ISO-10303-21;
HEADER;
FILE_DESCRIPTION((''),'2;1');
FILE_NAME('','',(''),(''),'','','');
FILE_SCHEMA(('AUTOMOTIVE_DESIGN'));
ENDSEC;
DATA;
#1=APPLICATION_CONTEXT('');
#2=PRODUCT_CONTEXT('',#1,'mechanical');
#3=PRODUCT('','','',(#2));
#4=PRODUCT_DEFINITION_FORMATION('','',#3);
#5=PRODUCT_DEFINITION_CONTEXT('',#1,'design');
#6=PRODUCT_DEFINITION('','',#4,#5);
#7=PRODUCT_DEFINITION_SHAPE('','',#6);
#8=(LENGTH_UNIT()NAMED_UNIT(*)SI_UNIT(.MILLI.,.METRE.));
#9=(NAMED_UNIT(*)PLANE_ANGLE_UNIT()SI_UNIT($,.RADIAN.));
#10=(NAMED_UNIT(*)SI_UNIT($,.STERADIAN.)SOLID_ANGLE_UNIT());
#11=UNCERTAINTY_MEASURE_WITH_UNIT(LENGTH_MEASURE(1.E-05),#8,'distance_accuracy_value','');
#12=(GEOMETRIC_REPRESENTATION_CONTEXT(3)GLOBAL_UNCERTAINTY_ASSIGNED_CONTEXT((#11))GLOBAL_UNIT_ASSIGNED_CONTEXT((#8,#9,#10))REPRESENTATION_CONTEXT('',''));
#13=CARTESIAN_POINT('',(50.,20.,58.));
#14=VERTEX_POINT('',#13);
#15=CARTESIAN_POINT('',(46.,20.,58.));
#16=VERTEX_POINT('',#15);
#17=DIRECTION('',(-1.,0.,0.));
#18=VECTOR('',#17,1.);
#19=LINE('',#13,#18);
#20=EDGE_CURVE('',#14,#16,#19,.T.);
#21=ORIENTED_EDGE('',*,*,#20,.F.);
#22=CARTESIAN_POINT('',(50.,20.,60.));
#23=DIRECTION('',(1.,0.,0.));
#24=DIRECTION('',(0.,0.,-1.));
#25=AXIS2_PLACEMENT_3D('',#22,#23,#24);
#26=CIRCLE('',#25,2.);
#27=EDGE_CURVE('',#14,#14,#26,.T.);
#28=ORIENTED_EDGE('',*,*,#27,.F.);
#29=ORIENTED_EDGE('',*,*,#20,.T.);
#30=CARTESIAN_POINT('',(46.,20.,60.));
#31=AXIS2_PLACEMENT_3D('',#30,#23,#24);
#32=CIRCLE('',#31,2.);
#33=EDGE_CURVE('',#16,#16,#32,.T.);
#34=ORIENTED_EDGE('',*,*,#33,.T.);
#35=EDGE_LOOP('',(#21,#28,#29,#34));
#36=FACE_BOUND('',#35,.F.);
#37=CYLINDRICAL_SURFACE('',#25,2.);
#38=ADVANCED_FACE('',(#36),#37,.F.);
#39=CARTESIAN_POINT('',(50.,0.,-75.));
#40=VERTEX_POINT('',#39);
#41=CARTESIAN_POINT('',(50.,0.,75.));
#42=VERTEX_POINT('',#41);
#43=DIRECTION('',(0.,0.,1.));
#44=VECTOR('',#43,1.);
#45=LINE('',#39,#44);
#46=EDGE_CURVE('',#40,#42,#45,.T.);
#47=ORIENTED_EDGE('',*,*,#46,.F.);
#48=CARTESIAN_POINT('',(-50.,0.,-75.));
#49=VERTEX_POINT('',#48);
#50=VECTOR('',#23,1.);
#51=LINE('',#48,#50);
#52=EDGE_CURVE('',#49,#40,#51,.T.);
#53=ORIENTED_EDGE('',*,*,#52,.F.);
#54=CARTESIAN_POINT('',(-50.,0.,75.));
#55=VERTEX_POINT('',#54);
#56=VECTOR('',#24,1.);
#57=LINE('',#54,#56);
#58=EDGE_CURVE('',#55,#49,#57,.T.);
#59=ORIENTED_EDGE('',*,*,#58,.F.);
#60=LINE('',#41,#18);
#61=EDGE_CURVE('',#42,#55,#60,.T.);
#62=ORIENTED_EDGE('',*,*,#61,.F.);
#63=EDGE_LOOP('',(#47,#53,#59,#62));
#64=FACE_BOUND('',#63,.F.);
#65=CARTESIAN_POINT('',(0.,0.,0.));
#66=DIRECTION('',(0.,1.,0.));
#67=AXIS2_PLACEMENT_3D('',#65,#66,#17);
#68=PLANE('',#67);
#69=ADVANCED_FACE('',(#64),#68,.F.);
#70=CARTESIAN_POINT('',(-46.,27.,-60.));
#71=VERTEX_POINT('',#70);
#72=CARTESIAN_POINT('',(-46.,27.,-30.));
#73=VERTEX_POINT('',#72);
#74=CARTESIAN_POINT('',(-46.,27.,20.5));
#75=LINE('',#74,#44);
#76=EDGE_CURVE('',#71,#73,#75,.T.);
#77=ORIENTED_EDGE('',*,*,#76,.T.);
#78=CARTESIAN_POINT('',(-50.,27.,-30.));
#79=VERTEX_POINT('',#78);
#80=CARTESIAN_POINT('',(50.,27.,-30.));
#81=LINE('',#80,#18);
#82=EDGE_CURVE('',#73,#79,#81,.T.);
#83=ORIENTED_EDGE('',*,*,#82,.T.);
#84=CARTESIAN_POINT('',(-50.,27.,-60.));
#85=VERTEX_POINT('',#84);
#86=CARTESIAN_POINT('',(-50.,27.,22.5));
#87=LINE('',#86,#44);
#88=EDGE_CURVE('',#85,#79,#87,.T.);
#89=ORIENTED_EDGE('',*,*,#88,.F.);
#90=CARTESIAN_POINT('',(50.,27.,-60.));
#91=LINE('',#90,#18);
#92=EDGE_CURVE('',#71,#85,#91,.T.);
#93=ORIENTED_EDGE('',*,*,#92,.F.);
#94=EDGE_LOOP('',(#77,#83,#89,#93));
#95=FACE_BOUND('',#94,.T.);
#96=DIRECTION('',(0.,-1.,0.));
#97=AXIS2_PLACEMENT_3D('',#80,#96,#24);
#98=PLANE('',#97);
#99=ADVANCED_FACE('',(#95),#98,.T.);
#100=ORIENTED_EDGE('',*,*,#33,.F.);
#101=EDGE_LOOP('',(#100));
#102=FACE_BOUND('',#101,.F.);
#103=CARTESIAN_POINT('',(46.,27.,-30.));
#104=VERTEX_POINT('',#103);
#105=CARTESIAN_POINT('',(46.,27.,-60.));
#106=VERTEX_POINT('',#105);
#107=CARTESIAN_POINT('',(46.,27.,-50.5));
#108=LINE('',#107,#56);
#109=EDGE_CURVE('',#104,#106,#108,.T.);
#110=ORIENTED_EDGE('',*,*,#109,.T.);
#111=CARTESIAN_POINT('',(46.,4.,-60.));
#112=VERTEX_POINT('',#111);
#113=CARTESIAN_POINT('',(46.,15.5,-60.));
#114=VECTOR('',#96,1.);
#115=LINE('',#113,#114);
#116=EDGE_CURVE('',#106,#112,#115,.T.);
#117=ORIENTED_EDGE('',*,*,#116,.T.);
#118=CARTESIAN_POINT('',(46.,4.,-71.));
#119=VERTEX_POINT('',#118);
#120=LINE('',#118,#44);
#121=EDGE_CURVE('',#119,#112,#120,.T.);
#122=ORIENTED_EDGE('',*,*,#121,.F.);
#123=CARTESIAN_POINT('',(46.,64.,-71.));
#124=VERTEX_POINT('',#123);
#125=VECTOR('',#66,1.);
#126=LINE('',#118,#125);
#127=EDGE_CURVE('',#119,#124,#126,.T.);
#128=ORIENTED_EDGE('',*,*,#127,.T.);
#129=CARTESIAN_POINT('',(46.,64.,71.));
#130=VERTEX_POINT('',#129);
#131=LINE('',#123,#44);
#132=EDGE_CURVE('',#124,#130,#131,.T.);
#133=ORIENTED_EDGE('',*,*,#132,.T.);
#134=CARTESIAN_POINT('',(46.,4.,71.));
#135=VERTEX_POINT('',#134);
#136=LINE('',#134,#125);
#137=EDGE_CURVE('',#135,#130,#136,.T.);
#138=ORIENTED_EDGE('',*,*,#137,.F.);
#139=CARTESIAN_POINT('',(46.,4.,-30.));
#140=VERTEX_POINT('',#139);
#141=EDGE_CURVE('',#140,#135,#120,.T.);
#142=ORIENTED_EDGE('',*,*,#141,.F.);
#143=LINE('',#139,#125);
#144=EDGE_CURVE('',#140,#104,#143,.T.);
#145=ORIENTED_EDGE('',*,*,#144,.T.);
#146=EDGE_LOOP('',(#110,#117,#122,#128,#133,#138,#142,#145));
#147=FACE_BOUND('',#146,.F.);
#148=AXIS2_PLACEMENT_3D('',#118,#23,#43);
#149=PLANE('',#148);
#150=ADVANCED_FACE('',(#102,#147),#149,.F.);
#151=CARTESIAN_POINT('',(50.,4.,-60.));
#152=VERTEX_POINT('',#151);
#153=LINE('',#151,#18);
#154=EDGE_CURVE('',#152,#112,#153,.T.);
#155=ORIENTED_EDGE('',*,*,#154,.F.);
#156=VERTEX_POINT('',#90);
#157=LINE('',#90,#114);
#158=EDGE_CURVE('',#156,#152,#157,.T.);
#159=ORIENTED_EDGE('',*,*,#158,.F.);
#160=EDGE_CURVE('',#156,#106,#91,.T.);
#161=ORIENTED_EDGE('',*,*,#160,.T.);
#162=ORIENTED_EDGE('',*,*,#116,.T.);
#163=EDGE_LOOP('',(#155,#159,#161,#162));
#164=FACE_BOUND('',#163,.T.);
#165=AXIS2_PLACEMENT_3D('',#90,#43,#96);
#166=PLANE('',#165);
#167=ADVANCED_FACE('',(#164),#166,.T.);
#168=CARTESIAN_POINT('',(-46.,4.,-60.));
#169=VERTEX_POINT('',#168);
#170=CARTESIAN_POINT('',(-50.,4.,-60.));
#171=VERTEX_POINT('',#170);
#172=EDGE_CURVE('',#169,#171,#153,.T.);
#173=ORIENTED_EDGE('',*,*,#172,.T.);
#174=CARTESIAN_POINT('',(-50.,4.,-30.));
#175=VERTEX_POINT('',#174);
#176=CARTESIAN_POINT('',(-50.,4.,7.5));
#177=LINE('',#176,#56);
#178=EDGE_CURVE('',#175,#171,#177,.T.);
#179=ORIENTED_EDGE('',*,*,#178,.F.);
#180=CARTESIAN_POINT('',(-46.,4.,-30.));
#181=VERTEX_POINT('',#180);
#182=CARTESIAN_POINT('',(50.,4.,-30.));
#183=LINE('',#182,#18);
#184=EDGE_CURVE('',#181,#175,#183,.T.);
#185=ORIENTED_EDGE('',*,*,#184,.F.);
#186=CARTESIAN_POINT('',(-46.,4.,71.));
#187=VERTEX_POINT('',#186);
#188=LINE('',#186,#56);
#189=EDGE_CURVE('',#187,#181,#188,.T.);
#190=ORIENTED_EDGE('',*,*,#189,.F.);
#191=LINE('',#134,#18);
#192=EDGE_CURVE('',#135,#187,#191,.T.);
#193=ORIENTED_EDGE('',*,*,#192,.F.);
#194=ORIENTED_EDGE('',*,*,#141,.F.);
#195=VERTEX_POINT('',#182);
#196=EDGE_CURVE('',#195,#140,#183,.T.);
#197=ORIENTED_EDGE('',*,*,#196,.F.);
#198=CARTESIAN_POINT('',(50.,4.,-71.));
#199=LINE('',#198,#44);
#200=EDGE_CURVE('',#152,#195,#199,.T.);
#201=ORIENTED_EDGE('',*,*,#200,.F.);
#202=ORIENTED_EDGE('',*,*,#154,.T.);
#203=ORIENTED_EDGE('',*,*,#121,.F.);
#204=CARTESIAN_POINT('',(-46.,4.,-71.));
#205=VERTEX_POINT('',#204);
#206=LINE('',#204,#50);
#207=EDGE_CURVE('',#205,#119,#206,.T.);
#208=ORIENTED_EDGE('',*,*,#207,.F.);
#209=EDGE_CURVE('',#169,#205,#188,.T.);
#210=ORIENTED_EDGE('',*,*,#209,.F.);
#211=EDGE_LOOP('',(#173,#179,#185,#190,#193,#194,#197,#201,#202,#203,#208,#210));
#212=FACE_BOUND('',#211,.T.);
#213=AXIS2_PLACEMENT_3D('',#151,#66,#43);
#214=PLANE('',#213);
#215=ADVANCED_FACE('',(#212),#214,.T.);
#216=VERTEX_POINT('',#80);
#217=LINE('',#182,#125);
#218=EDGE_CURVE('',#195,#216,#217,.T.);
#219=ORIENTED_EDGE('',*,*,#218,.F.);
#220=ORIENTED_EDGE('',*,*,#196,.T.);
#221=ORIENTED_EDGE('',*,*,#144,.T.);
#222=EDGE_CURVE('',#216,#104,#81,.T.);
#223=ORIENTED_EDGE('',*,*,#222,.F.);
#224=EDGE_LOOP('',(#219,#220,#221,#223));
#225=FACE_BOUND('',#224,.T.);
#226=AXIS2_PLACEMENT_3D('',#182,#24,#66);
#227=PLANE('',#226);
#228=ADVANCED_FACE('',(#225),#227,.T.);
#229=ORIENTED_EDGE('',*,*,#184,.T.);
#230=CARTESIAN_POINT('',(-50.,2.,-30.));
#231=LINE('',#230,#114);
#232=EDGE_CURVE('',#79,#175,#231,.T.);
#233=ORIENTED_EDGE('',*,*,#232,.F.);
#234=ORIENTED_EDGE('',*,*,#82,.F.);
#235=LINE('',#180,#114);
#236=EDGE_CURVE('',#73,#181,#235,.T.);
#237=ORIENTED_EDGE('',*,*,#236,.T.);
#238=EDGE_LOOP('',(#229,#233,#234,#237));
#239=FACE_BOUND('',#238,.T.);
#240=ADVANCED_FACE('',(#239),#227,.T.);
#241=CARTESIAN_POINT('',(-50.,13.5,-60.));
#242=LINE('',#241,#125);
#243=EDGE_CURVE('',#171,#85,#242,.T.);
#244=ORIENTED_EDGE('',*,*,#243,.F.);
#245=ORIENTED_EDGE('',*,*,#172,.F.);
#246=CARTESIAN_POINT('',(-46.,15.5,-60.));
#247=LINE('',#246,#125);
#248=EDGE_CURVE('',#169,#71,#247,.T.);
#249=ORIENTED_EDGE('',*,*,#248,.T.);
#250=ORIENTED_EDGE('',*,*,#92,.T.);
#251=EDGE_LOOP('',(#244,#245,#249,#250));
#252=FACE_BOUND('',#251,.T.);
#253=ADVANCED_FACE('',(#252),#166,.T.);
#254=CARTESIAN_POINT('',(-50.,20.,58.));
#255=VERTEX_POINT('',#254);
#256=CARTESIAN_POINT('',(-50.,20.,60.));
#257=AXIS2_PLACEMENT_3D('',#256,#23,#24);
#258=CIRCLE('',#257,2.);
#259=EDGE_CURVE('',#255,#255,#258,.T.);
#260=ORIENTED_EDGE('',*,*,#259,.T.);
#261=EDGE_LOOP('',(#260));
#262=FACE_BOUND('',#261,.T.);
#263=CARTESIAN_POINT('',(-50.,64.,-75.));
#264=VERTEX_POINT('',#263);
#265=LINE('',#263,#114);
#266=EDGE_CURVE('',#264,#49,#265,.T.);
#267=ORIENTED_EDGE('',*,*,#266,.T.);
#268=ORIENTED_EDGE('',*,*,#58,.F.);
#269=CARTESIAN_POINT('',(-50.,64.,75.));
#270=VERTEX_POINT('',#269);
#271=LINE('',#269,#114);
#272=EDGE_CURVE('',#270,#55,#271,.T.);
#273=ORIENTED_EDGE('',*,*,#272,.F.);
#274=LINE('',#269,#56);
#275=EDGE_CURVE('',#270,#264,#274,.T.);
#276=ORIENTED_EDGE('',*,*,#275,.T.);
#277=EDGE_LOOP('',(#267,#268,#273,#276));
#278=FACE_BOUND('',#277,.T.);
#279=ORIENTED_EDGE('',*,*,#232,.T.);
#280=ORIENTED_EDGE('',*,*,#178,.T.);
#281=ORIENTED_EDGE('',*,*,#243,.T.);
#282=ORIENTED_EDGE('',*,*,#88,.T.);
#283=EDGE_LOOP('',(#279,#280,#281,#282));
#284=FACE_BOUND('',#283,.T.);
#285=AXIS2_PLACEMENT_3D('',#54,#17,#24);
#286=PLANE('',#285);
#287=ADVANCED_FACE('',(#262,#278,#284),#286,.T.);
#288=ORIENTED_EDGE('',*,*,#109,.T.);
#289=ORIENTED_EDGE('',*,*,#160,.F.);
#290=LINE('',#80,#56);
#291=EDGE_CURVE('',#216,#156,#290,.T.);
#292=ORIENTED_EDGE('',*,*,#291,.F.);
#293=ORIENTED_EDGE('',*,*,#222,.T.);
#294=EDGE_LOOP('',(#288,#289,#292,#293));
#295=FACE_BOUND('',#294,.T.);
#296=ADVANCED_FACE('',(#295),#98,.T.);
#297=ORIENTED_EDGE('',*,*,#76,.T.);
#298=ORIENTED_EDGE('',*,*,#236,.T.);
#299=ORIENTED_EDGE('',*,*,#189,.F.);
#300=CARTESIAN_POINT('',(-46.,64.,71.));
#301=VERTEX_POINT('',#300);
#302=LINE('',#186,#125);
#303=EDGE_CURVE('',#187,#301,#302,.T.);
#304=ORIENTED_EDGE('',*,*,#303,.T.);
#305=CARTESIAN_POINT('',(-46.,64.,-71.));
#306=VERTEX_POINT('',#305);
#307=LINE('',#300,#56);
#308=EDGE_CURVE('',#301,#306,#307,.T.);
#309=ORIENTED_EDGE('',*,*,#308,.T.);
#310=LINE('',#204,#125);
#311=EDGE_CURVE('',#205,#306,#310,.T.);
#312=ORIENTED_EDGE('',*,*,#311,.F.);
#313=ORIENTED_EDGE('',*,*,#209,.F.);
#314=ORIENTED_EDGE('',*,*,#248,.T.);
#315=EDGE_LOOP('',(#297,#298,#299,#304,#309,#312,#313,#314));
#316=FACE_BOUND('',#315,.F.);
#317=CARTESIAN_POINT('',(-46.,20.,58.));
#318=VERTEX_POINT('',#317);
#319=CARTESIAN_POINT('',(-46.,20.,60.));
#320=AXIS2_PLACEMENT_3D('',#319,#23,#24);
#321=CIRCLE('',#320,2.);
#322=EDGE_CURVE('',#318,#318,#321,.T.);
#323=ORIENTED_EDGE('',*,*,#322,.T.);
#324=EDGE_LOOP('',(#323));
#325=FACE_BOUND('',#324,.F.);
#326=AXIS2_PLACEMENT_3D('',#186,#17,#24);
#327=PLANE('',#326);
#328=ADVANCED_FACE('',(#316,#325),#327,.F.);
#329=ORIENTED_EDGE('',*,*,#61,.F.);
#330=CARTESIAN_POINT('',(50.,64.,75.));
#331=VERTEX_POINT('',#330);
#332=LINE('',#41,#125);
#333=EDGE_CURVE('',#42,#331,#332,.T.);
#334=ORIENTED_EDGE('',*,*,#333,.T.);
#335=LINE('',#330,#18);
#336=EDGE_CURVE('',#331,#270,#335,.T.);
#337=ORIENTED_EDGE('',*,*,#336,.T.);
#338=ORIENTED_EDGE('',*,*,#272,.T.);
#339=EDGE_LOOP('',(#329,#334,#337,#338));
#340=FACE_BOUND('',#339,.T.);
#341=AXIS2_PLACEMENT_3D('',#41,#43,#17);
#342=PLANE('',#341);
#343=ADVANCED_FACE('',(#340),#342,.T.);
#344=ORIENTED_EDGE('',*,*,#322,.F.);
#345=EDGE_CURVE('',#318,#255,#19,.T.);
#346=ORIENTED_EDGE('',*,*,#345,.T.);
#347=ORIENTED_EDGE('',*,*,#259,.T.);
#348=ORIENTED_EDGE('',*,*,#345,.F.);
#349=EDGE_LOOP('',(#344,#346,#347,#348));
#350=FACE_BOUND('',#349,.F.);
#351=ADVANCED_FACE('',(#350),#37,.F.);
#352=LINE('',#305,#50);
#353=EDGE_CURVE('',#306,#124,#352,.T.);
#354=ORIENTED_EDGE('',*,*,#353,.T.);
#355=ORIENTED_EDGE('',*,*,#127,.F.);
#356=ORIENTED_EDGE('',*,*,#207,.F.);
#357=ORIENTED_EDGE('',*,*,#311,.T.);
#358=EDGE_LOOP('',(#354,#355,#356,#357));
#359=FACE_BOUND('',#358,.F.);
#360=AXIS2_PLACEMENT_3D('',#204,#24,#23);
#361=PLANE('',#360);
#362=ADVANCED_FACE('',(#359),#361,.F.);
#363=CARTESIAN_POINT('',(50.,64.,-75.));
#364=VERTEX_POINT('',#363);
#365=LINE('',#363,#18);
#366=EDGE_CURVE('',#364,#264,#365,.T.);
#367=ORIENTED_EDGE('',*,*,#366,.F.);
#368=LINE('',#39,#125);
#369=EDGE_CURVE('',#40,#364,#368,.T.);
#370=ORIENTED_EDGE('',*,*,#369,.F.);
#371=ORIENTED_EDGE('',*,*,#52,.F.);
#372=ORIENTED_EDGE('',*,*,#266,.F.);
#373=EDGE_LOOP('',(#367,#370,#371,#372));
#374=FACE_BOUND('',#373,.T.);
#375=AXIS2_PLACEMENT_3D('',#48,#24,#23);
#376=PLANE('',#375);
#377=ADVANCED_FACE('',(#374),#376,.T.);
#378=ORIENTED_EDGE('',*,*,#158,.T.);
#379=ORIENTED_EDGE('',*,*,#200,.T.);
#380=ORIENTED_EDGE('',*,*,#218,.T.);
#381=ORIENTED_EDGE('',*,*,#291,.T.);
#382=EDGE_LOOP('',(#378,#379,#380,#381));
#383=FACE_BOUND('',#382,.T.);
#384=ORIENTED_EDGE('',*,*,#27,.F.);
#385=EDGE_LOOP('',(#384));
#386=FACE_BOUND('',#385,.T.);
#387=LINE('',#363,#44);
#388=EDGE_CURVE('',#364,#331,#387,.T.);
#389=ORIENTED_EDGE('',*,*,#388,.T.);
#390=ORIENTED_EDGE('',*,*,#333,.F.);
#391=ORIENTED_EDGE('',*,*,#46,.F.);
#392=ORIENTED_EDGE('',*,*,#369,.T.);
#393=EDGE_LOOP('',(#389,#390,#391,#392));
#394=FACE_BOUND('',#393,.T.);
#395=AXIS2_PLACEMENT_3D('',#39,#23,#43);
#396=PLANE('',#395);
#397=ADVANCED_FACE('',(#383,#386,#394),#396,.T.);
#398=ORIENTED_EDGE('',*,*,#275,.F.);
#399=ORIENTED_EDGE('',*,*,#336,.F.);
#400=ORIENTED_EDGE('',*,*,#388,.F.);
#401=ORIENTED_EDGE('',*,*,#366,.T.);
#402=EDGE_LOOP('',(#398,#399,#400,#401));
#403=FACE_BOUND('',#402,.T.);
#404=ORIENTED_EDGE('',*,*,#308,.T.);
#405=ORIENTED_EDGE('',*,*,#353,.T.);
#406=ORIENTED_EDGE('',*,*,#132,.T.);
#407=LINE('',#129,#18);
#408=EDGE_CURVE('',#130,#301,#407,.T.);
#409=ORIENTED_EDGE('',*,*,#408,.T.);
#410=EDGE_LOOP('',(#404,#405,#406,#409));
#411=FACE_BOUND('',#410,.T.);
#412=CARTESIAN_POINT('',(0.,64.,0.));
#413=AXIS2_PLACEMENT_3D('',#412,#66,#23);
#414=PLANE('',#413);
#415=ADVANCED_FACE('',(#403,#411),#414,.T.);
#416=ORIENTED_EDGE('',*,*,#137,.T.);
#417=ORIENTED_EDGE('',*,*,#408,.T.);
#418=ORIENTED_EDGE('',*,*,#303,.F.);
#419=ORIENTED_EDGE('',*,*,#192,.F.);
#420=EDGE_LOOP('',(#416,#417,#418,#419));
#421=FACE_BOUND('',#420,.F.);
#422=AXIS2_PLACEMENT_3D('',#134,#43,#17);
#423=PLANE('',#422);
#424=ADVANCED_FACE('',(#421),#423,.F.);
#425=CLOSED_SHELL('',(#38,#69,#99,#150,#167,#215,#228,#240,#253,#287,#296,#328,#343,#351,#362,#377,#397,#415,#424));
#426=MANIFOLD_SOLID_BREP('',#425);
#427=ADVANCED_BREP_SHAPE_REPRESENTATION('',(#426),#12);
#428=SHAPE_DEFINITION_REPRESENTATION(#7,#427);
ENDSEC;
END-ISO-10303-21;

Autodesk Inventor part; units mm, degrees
ref_plane "YZ Plane" through (0, 0, 0) normal (1, 0, 0) x (0, 1, 0)
ref_plane "XZ Plane" through (0, 0, 0) normal (0, 1, 0) x (-1, 0, 0)
ref_plane "XY Plane" through (0, 0, 0) normal (0, 0, 1) x (1, 0, 0)
sketch "Эскиз1" plane through (0, 0, 0) normal (0, 1, 0) x (-1, 0, 0)
  line L0 (-50, 75) -> (50, 75)
  line L1 (50, 75) -> (50, -75)
  line L2 (50, -75) -> (-50, -75)
  line L3 (-50, -75) -> (-50, 75)
  line L4 (-50, 75) -> (50, -75) construction
  line L5 (50, 75) -> (-50, -75) construction
  point P0 (0, 0)
  dimension "d0" = 150
  dimension "d1" = 100
extrude "Выдавливание1" add sketch "Эскиз1" along normal blind 4
sketch "Эскиз2" plane through (0, 4, 0) normal (0, 1, 0) x (1, 0, 0)
  line L0 (50, 75) -> (-50, 75) projected
  line L1 (50, -75) -> (-50, -75)
  line L2 (-50, -75) -> (-50, 75)
  line L3 (-50, 75) -> (50, 75)
  line L4 (50, 75) -> (50, -75)
  line L5 (50, -75) -> (-50, 75) construction
  line L6 (-50, -75) -> (50, 75) construction
  line L7 (46, -71) -> (-46, -71)
  line L8 (-46, -71) -> (-46, 71)
  line L9 (-46, 71) -> (46, 71)
  line L10 (46, 71) -> (46, -71)
  line L11 (46, -71) -> (-46, 71) construction
  line L12 (-46, -71) -> (46, 71) construction
  point P0 (0, 0)
  dimension "d4" = 4
  dimension "d5" = 4
extrude "Выдавливание2" add sketch "Эскиз2" along normal blind 60
sketch "Эскиз3" plane through (50, 0, 75) normal (1, 0, 0) x (0, 0, -1)
  line L0 (150, 0) -> (0, 0) projected
  circle A0 centre (15, 20) radius 2
  point P0 (75, 0)
  dimension "d10" = 4
extrude "Выдавливание3" cut sketch "Эскиз3" against normal blind 135.5
sketch "Эскиз4" plane through (50, 0, 75) normal (1, 0, 0) x (0, 0, -1)
  line L0 (150, 0) -> (0, 0) projected
  line L1 (146, 4) -> (4, 4) projected
  line L2 (135, 4) -> (105, 4)
  line L3 (105, 4) -> (105, 27)
  line L4 (105, 27) -> (135, 27)
  line L5 (135, 27) -> (135, 4)
  point P0 (75, 0)
  dimension "d14" = 23
  dimension "d15" = 30
extrude "Выдавливание4" cut sketch "Эскиз4" against normal blind 135.5
properties part number "эвакуатор"
